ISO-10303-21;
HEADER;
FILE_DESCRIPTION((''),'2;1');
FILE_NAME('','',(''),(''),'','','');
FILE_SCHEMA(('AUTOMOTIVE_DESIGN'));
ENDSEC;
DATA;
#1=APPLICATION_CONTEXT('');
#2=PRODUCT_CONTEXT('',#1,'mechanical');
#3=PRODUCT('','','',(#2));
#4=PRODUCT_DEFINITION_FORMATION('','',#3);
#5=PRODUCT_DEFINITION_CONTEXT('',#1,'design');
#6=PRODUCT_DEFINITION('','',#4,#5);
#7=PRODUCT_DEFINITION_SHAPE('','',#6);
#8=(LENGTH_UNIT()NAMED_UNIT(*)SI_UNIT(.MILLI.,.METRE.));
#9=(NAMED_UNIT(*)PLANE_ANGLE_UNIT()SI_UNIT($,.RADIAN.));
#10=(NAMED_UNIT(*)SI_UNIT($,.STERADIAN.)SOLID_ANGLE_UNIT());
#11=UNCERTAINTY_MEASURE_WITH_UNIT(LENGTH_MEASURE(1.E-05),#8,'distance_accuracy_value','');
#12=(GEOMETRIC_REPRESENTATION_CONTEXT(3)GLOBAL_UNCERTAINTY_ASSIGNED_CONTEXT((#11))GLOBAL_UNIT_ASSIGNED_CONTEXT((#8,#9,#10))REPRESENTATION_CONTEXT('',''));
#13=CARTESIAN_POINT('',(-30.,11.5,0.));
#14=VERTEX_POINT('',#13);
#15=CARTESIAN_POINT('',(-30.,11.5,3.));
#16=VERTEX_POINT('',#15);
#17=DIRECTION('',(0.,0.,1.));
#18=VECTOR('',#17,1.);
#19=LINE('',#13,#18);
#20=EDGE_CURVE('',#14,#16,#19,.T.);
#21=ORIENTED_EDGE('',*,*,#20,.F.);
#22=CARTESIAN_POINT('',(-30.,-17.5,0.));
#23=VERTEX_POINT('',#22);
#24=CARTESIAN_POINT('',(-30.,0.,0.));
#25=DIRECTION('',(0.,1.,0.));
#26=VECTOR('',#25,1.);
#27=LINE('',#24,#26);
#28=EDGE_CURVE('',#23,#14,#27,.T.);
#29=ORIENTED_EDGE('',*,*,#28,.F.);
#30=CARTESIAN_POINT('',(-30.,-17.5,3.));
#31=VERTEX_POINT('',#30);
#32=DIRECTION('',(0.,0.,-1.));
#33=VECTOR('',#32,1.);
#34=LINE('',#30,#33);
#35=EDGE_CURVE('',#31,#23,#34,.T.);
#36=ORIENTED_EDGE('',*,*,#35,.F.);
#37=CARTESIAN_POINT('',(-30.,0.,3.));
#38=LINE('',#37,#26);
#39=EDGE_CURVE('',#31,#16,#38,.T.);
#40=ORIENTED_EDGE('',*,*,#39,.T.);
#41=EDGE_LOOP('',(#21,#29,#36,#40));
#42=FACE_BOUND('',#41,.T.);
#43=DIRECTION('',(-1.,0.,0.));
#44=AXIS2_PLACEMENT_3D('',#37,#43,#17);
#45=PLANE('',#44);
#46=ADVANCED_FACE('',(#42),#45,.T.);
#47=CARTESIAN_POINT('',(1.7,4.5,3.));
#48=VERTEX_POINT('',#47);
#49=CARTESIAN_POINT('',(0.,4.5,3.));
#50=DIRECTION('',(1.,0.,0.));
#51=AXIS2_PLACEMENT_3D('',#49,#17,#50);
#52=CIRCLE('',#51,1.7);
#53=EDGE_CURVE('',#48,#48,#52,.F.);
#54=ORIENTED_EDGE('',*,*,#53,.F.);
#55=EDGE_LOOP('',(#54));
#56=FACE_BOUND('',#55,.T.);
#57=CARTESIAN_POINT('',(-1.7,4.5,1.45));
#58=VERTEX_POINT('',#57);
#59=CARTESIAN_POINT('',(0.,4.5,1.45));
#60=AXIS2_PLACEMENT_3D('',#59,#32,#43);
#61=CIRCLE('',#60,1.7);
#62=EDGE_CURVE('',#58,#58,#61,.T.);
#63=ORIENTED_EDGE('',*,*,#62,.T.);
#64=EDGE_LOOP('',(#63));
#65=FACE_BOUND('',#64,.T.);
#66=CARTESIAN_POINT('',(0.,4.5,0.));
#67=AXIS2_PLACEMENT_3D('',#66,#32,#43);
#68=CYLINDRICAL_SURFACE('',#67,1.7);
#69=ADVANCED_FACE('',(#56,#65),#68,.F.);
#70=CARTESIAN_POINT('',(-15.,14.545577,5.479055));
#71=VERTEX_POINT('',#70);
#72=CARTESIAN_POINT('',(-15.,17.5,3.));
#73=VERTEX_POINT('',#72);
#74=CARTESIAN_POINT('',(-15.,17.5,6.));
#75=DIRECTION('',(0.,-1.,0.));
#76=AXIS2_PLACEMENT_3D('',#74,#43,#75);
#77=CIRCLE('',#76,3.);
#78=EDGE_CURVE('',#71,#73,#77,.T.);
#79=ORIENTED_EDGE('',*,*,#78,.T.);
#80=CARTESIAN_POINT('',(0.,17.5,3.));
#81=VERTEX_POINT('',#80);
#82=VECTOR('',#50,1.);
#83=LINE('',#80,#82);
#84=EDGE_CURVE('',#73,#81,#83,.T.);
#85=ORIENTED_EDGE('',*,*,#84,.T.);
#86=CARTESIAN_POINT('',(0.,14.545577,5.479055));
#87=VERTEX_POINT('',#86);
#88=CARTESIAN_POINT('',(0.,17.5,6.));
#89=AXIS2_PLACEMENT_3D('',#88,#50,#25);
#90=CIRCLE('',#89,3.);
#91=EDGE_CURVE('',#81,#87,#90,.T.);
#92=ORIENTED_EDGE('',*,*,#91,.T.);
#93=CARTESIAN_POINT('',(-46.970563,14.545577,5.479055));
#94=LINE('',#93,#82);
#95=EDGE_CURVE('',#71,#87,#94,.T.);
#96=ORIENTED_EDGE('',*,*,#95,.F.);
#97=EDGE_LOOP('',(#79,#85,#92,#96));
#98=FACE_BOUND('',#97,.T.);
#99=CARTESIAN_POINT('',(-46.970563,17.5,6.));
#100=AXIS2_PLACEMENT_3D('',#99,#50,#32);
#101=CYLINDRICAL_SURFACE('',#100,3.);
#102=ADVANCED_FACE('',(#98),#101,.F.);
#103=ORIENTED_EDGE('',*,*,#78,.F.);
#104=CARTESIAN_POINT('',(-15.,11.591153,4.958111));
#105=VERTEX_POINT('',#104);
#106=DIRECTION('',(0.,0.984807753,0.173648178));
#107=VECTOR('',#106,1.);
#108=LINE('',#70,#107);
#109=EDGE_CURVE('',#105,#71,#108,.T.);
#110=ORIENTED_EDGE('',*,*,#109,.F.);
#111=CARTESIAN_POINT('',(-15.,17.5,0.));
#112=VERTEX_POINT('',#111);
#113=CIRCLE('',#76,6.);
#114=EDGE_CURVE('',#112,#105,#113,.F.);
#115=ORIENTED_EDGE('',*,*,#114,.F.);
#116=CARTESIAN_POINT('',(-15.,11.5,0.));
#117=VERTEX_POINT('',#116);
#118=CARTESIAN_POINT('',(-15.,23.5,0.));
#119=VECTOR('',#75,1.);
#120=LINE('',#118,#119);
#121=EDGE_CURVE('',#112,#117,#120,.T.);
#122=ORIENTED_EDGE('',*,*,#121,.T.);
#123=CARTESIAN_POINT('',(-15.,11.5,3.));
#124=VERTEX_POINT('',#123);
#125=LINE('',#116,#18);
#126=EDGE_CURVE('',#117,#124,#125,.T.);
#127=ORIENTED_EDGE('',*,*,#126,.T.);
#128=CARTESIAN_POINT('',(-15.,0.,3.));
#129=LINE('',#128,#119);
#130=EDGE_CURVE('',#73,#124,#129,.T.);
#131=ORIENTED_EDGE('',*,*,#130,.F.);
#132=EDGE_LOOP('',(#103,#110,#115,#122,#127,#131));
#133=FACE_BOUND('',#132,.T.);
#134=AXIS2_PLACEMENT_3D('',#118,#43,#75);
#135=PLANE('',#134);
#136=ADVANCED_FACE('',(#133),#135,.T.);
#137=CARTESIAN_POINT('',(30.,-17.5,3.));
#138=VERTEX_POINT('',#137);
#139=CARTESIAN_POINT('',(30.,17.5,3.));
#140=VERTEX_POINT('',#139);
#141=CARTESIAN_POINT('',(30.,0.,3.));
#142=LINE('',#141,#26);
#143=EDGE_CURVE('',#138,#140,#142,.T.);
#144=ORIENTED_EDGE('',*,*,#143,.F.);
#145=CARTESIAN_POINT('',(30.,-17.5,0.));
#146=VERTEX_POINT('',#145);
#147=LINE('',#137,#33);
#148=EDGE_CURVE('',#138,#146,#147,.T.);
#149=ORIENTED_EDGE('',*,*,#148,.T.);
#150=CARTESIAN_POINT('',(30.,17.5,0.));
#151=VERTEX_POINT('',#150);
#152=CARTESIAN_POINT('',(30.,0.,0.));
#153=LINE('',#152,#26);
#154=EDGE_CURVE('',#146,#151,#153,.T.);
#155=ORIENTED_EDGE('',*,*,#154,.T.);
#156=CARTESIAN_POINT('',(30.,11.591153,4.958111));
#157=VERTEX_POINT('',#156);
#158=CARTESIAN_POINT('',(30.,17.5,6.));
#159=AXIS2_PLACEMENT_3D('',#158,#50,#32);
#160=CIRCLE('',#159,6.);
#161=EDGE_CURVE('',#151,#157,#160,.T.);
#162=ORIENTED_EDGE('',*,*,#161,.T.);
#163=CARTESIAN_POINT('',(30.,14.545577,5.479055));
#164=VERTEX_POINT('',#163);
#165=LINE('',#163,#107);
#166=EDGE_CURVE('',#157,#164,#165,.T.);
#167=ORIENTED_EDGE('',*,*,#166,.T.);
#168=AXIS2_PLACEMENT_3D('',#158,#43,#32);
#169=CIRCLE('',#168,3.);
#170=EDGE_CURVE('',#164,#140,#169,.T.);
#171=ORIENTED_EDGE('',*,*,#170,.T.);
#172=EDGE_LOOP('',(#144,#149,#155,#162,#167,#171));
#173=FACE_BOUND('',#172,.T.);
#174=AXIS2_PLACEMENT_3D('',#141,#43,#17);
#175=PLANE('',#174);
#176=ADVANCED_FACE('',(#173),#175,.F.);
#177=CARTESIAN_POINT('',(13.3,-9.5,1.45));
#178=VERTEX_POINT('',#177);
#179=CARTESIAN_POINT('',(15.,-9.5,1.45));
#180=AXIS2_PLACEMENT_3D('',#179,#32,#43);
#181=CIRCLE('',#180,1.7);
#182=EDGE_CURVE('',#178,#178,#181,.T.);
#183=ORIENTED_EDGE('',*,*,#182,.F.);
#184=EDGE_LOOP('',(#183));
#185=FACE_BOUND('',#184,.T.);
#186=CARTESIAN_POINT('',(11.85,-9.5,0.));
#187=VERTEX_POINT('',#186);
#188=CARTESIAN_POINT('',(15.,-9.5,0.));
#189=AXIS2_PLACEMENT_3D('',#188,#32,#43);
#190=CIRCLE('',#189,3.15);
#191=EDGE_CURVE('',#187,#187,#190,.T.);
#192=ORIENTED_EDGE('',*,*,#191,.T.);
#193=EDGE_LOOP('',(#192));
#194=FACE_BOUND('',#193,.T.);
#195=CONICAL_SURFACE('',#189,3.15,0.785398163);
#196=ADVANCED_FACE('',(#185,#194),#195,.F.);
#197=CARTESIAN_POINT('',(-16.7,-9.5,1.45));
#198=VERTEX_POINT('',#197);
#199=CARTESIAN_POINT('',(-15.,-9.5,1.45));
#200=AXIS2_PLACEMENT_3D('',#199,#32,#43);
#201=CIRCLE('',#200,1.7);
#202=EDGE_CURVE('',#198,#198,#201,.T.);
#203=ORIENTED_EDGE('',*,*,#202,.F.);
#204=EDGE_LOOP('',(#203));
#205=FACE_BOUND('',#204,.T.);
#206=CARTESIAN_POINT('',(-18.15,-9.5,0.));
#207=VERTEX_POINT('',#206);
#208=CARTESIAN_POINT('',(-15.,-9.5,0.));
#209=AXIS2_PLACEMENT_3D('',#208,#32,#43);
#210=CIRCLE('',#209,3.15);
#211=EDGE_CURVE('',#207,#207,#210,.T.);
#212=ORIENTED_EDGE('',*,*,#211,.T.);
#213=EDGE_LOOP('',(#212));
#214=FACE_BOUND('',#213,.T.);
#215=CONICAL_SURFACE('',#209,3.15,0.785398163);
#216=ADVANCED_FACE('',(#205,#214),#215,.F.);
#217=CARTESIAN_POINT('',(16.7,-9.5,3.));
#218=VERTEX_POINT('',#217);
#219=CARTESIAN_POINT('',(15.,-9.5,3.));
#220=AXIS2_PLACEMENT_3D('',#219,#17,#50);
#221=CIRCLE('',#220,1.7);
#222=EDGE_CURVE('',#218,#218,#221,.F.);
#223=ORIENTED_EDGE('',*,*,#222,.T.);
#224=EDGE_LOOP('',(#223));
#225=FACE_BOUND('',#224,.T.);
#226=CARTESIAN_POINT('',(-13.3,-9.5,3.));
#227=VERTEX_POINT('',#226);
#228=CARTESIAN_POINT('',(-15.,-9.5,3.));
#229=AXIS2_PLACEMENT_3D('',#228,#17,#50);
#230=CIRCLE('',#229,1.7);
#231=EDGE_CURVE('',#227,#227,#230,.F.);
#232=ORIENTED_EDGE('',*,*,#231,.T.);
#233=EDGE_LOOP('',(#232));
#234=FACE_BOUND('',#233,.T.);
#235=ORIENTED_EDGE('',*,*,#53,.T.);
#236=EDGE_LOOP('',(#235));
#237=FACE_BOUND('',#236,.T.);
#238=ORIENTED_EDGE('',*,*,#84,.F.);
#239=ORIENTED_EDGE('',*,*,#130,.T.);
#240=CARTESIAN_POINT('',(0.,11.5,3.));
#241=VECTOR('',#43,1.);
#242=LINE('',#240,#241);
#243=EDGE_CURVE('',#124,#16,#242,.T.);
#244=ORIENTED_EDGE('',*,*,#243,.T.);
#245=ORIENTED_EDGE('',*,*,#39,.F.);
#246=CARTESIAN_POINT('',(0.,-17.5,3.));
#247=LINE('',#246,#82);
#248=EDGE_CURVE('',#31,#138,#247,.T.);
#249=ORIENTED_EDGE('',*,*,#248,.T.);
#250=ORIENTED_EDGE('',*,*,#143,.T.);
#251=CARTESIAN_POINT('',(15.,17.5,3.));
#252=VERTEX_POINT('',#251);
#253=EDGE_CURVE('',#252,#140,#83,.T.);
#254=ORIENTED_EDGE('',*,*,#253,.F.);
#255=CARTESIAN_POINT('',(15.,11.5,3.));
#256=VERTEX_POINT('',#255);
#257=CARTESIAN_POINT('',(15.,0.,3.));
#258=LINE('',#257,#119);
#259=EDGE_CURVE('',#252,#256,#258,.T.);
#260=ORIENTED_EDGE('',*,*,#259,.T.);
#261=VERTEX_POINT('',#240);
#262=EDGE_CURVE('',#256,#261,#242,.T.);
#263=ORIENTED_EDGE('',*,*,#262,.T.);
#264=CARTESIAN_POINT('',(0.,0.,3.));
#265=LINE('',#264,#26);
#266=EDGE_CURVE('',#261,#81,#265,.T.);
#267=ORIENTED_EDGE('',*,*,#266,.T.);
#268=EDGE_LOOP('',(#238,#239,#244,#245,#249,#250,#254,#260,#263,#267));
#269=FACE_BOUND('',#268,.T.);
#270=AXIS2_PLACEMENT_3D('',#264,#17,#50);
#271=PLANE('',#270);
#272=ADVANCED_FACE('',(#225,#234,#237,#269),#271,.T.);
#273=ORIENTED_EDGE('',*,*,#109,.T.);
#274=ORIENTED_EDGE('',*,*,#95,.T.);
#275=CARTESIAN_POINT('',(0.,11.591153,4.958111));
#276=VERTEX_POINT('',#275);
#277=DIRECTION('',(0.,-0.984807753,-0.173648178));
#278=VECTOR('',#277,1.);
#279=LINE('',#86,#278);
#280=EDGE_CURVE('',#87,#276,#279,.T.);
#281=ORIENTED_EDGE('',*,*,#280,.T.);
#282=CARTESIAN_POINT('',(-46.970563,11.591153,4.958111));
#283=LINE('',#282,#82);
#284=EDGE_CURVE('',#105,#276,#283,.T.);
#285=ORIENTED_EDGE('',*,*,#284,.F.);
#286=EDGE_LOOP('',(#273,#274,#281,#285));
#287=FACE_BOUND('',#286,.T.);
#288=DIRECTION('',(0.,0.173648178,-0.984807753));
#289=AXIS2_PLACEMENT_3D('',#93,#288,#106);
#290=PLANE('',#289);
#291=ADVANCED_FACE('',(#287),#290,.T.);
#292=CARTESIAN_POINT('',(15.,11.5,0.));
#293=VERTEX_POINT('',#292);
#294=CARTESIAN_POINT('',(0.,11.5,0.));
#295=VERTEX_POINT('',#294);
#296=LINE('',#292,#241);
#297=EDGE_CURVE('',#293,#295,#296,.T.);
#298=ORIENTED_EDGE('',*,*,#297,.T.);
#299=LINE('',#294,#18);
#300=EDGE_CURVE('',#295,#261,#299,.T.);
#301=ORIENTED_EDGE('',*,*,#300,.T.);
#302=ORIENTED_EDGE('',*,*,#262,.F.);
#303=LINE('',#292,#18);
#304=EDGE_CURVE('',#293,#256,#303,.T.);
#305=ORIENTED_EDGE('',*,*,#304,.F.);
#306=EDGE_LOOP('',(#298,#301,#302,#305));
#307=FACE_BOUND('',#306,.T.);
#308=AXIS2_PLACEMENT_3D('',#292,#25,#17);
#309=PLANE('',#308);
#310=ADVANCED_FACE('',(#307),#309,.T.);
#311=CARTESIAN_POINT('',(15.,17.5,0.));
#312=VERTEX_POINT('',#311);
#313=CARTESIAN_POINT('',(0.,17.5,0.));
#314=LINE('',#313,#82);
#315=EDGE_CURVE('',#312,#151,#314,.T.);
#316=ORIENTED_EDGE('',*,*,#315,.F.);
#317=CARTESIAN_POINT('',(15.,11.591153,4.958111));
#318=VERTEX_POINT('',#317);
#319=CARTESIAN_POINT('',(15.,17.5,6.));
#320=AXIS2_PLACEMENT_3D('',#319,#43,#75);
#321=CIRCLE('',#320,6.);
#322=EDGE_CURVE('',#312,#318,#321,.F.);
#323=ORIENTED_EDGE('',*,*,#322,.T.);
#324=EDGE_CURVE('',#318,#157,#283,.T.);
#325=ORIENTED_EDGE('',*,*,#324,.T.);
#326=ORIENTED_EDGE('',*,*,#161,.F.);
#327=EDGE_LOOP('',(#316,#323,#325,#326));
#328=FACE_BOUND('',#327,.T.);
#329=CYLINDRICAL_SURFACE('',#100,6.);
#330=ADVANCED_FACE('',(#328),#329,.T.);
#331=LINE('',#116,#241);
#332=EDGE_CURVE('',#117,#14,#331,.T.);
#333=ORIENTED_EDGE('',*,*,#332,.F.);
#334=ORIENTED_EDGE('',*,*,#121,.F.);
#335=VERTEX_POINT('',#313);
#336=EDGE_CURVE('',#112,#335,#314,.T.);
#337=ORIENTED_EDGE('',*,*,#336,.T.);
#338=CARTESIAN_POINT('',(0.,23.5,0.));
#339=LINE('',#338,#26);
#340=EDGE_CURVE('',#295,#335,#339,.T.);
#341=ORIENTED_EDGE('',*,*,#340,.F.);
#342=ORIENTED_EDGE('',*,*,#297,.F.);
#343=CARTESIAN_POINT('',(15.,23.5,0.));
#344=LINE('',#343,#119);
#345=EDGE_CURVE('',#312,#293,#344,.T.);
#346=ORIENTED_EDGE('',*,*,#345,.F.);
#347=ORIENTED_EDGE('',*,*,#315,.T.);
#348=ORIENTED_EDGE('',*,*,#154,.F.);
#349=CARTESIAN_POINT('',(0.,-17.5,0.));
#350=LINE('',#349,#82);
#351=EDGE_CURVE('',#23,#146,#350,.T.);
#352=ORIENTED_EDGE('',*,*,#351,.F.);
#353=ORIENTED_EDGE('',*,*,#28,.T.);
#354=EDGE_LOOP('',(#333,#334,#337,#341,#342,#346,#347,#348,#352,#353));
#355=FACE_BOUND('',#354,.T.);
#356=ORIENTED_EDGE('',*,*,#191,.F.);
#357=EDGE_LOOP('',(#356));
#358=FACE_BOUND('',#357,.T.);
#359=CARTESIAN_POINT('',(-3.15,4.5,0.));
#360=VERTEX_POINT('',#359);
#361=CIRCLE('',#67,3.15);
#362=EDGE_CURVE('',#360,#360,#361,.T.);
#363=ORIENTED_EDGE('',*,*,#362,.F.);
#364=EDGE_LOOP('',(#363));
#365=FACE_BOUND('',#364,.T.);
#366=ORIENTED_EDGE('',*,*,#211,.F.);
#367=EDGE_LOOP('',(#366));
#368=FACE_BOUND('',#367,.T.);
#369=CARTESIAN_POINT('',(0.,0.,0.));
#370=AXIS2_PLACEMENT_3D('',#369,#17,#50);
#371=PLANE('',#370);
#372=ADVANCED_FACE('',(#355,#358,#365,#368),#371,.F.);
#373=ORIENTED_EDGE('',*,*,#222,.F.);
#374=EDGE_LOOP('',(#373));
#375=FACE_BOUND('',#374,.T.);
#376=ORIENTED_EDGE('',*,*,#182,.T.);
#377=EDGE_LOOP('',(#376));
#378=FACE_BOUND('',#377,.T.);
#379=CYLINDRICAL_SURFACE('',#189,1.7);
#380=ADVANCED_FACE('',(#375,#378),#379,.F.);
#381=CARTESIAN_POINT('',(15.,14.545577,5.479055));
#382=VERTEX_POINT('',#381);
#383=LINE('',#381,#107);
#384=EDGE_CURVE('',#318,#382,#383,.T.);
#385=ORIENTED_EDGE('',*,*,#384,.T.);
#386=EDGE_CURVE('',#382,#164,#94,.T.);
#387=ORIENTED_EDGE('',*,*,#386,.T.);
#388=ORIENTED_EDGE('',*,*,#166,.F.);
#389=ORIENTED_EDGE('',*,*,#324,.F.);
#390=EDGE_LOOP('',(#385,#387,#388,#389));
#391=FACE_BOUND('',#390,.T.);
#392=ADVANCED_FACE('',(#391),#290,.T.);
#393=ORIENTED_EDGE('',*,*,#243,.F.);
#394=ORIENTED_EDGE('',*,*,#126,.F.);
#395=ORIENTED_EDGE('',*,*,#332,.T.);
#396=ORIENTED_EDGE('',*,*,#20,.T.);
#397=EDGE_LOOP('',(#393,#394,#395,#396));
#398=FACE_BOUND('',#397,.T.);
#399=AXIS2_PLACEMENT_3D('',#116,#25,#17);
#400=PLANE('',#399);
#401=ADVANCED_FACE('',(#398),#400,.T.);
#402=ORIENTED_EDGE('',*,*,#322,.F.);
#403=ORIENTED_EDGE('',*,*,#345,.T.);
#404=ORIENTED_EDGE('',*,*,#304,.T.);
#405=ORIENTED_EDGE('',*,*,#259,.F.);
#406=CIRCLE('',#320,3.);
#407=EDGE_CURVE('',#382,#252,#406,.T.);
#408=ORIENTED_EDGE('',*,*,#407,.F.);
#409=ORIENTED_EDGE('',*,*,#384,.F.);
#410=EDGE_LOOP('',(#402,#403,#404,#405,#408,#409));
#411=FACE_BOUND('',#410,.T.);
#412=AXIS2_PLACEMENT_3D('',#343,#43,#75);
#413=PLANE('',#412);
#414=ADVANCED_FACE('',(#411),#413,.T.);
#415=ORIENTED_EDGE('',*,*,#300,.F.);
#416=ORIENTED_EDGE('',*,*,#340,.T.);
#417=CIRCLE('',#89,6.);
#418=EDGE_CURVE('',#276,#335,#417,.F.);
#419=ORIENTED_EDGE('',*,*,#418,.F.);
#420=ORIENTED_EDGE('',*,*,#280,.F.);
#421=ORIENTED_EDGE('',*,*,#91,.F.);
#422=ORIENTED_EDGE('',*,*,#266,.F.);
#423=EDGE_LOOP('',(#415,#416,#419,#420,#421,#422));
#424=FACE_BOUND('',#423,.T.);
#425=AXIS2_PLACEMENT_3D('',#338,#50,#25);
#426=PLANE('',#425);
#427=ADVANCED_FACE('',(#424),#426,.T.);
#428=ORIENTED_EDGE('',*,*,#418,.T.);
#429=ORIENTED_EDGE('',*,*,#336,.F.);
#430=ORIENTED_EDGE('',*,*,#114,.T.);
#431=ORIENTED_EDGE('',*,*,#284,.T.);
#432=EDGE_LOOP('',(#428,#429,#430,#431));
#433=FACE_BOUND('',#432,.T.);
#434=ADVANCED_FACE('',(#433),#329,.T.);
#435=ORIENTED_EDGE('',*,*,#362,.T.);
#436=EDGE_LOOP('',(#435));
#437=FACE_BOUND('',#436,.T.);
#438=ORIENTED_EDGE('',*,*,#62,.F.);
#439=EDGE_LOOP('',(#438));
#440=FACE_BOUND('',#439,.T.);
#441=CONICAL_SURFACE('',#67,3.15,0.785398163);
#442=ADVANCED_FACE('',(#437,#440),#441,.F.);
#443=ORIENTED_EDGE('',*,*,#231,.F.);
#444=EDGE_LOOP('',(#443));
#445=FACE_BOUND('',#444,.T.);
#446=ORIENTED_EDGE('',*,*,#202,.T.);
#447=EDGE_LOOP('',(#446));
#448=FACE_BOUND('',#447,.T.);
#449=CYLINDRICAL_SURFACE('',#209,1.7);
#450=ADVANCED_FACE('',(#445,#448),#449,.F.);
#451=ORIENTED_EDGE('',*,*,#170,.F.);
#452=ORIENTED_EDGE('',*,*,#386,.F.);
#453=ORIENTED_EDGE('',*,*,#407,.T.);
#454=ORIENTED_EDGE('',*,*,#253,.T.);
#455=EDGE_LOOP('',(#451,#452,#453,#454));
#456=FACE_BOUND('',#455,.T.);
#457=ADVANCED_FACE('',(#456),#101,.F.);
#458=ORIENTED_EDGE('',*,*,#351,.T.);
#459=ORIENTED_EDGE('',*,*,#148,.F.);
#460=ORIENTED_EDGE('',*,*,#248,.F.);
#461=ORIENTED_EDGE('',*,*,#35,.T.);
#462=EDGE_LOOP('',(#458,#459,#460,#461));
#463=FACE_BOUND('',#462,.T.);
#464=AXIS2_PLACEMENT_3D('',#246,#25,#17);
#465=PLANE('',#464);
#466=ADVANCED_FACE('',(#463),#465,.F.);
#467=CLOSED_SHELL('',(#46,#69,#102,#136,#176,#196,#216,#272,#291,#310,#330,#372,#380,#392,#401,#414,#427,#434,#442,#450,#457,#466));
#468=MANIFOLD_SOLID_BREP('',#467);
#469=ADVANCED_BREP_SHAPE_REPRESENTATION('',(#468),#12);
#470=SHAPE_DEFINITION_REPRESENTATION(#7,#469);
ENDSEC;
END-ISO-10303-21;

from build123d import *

# Parameters (mm, degrees)
SKETCH1_W                                           = 60
SKETCH1_H                                           = 35
BOSS_EXTRUDE1_DEPTH                                 = 3
BOSS_EXTRUDE2_DEPTH                                 = 60
CUT_EXTRUDE4_DEPTH                                  = 49.961719741
CUT_EXTRUDE4_DEPTH_BACK                             = 49.961719741
SKETCH9_W                                           = 15
SKETCH9_H                                           = 12
CSK_FOR_M3_COUNTERSUNK_FLAT_HEAD_SCREW1_D           = 3.4
CSK_FOR_M3_COUNTERSUNK_FLAT_HEAD_SCREW1_DEPTH       = 3
CSK_FOR_M3_COUNTERSUNK_FLAT_HEAD_SCREW1_CSINK_D     = 6.3
CSK_FOR_M3_COUNTERSUNK_FLAT_HEAD_SCREW1_CSINK_ANGLE = 90
CSK_FOR_M3_COUNTERSUNK_FLAT_HEAD_SCREW1_TIP         = 1.021463052


with BuildPart() as part:
    # Sketch1 → Boss-Extrude1 (new body)
    with BuildSketch(Plane.XY):
        Rectangle(SKETCH1_W, SKETCH1_H)
    extrude(amount=BOSS_EXTRUDE1_DEPTH)

    # Sketch5 → Boss-Extrude2 (add)
    with BuildSketch(Plane(origin=(30, 0, 0), x_dir=(0, 0, -1), z_dir=(1, 0, 0))):
        with BuildLine():
            Line((-5.479055467, 14.545576741), (-4.958110934, 11.591153482))
            ThreePointArc((-4.958110934, 11.591153482), (-8.05212086, 23.138155725), (-3, 12.303847577))
            Line((-3, 12.303847577), (-3, 17.5))
            ThreePointArc((-3, 17.5), (-8.298133329, 19.428362829), (-5.479055467, 14.545576741))
        make_face()
    extrude(amount=-BOSS_EXTRUDE2_DEPTH)

    # Sketch9 → Cut-Extrude4 (cut, two sides: drawn at the far end of the back side and taken through both)
    with BuildSketch(Plane(origin=(-12, 0, 3), x_dir=(-1, 0, 0), z_dir=(0, 0, -1)).offset(-CUT_EXTRUDE4_DEPTH_BACK)):
        with Locations((-19.5, 17.5)):
            Rectangle(SKETCH9_W, SKETCH9_H)
        with Locations((10.5, 17.5)):
            Rectangle(SKETCH9_W, SKETCH9_H)
    extrude(amount=CUT_EXTRUDE4_DEPTH + CUT_EXTRUDE4_DEPTH_BACK, mode=Mode.SUBTRACT)

    # CSK for M3 Countersunk Flat Head Screw1
    with Locations(Plane(origin=(0, 0, 0), x_dir=(1, 0, 0), z_dir=(0, 0, -1))):
        with Locations((0, -4.5), (-15, 9.5), (15, 9.5)):
            CounterSinkHole(CSK_FOR_M3_COUNTERSUNK_FLAT_HEAD_SCREW1_D / 2, CSK_FOR_M3_COUNTERSUNK_FLAT_HEAD_SCREW1_CSINK_D / 2, depth=CSK_FOR_M3_COUNTERSUNK_FLAT_HEAD_SCREW1_DEPTH, counter_sink_angle=CSK_FOR_M3_COUNTERSUNK_FLAT_HEAD_SCREW1_CSINK_ANGLE)
            with Locations((0, 0, -(CSK_FOR_M3_COUNTERSUNK_FLAT_HEAD_SCREW1_DEPTH + CSK_FOR_M3_COUNTERSUNK_FLAT_HEAD_SCREW1_TIP / 2))):  # 118° drill point
                Cone(0, CSK_FOR_M3_COUNTERSUNK_FLAT_HEAD_SCREW1_D / 2, CSK_FOR_M3_COUNTERSUNK_FLAT_HEAD_SCREW1_TIP, mode=Mode.SUBTRACT)


solid = part.part
